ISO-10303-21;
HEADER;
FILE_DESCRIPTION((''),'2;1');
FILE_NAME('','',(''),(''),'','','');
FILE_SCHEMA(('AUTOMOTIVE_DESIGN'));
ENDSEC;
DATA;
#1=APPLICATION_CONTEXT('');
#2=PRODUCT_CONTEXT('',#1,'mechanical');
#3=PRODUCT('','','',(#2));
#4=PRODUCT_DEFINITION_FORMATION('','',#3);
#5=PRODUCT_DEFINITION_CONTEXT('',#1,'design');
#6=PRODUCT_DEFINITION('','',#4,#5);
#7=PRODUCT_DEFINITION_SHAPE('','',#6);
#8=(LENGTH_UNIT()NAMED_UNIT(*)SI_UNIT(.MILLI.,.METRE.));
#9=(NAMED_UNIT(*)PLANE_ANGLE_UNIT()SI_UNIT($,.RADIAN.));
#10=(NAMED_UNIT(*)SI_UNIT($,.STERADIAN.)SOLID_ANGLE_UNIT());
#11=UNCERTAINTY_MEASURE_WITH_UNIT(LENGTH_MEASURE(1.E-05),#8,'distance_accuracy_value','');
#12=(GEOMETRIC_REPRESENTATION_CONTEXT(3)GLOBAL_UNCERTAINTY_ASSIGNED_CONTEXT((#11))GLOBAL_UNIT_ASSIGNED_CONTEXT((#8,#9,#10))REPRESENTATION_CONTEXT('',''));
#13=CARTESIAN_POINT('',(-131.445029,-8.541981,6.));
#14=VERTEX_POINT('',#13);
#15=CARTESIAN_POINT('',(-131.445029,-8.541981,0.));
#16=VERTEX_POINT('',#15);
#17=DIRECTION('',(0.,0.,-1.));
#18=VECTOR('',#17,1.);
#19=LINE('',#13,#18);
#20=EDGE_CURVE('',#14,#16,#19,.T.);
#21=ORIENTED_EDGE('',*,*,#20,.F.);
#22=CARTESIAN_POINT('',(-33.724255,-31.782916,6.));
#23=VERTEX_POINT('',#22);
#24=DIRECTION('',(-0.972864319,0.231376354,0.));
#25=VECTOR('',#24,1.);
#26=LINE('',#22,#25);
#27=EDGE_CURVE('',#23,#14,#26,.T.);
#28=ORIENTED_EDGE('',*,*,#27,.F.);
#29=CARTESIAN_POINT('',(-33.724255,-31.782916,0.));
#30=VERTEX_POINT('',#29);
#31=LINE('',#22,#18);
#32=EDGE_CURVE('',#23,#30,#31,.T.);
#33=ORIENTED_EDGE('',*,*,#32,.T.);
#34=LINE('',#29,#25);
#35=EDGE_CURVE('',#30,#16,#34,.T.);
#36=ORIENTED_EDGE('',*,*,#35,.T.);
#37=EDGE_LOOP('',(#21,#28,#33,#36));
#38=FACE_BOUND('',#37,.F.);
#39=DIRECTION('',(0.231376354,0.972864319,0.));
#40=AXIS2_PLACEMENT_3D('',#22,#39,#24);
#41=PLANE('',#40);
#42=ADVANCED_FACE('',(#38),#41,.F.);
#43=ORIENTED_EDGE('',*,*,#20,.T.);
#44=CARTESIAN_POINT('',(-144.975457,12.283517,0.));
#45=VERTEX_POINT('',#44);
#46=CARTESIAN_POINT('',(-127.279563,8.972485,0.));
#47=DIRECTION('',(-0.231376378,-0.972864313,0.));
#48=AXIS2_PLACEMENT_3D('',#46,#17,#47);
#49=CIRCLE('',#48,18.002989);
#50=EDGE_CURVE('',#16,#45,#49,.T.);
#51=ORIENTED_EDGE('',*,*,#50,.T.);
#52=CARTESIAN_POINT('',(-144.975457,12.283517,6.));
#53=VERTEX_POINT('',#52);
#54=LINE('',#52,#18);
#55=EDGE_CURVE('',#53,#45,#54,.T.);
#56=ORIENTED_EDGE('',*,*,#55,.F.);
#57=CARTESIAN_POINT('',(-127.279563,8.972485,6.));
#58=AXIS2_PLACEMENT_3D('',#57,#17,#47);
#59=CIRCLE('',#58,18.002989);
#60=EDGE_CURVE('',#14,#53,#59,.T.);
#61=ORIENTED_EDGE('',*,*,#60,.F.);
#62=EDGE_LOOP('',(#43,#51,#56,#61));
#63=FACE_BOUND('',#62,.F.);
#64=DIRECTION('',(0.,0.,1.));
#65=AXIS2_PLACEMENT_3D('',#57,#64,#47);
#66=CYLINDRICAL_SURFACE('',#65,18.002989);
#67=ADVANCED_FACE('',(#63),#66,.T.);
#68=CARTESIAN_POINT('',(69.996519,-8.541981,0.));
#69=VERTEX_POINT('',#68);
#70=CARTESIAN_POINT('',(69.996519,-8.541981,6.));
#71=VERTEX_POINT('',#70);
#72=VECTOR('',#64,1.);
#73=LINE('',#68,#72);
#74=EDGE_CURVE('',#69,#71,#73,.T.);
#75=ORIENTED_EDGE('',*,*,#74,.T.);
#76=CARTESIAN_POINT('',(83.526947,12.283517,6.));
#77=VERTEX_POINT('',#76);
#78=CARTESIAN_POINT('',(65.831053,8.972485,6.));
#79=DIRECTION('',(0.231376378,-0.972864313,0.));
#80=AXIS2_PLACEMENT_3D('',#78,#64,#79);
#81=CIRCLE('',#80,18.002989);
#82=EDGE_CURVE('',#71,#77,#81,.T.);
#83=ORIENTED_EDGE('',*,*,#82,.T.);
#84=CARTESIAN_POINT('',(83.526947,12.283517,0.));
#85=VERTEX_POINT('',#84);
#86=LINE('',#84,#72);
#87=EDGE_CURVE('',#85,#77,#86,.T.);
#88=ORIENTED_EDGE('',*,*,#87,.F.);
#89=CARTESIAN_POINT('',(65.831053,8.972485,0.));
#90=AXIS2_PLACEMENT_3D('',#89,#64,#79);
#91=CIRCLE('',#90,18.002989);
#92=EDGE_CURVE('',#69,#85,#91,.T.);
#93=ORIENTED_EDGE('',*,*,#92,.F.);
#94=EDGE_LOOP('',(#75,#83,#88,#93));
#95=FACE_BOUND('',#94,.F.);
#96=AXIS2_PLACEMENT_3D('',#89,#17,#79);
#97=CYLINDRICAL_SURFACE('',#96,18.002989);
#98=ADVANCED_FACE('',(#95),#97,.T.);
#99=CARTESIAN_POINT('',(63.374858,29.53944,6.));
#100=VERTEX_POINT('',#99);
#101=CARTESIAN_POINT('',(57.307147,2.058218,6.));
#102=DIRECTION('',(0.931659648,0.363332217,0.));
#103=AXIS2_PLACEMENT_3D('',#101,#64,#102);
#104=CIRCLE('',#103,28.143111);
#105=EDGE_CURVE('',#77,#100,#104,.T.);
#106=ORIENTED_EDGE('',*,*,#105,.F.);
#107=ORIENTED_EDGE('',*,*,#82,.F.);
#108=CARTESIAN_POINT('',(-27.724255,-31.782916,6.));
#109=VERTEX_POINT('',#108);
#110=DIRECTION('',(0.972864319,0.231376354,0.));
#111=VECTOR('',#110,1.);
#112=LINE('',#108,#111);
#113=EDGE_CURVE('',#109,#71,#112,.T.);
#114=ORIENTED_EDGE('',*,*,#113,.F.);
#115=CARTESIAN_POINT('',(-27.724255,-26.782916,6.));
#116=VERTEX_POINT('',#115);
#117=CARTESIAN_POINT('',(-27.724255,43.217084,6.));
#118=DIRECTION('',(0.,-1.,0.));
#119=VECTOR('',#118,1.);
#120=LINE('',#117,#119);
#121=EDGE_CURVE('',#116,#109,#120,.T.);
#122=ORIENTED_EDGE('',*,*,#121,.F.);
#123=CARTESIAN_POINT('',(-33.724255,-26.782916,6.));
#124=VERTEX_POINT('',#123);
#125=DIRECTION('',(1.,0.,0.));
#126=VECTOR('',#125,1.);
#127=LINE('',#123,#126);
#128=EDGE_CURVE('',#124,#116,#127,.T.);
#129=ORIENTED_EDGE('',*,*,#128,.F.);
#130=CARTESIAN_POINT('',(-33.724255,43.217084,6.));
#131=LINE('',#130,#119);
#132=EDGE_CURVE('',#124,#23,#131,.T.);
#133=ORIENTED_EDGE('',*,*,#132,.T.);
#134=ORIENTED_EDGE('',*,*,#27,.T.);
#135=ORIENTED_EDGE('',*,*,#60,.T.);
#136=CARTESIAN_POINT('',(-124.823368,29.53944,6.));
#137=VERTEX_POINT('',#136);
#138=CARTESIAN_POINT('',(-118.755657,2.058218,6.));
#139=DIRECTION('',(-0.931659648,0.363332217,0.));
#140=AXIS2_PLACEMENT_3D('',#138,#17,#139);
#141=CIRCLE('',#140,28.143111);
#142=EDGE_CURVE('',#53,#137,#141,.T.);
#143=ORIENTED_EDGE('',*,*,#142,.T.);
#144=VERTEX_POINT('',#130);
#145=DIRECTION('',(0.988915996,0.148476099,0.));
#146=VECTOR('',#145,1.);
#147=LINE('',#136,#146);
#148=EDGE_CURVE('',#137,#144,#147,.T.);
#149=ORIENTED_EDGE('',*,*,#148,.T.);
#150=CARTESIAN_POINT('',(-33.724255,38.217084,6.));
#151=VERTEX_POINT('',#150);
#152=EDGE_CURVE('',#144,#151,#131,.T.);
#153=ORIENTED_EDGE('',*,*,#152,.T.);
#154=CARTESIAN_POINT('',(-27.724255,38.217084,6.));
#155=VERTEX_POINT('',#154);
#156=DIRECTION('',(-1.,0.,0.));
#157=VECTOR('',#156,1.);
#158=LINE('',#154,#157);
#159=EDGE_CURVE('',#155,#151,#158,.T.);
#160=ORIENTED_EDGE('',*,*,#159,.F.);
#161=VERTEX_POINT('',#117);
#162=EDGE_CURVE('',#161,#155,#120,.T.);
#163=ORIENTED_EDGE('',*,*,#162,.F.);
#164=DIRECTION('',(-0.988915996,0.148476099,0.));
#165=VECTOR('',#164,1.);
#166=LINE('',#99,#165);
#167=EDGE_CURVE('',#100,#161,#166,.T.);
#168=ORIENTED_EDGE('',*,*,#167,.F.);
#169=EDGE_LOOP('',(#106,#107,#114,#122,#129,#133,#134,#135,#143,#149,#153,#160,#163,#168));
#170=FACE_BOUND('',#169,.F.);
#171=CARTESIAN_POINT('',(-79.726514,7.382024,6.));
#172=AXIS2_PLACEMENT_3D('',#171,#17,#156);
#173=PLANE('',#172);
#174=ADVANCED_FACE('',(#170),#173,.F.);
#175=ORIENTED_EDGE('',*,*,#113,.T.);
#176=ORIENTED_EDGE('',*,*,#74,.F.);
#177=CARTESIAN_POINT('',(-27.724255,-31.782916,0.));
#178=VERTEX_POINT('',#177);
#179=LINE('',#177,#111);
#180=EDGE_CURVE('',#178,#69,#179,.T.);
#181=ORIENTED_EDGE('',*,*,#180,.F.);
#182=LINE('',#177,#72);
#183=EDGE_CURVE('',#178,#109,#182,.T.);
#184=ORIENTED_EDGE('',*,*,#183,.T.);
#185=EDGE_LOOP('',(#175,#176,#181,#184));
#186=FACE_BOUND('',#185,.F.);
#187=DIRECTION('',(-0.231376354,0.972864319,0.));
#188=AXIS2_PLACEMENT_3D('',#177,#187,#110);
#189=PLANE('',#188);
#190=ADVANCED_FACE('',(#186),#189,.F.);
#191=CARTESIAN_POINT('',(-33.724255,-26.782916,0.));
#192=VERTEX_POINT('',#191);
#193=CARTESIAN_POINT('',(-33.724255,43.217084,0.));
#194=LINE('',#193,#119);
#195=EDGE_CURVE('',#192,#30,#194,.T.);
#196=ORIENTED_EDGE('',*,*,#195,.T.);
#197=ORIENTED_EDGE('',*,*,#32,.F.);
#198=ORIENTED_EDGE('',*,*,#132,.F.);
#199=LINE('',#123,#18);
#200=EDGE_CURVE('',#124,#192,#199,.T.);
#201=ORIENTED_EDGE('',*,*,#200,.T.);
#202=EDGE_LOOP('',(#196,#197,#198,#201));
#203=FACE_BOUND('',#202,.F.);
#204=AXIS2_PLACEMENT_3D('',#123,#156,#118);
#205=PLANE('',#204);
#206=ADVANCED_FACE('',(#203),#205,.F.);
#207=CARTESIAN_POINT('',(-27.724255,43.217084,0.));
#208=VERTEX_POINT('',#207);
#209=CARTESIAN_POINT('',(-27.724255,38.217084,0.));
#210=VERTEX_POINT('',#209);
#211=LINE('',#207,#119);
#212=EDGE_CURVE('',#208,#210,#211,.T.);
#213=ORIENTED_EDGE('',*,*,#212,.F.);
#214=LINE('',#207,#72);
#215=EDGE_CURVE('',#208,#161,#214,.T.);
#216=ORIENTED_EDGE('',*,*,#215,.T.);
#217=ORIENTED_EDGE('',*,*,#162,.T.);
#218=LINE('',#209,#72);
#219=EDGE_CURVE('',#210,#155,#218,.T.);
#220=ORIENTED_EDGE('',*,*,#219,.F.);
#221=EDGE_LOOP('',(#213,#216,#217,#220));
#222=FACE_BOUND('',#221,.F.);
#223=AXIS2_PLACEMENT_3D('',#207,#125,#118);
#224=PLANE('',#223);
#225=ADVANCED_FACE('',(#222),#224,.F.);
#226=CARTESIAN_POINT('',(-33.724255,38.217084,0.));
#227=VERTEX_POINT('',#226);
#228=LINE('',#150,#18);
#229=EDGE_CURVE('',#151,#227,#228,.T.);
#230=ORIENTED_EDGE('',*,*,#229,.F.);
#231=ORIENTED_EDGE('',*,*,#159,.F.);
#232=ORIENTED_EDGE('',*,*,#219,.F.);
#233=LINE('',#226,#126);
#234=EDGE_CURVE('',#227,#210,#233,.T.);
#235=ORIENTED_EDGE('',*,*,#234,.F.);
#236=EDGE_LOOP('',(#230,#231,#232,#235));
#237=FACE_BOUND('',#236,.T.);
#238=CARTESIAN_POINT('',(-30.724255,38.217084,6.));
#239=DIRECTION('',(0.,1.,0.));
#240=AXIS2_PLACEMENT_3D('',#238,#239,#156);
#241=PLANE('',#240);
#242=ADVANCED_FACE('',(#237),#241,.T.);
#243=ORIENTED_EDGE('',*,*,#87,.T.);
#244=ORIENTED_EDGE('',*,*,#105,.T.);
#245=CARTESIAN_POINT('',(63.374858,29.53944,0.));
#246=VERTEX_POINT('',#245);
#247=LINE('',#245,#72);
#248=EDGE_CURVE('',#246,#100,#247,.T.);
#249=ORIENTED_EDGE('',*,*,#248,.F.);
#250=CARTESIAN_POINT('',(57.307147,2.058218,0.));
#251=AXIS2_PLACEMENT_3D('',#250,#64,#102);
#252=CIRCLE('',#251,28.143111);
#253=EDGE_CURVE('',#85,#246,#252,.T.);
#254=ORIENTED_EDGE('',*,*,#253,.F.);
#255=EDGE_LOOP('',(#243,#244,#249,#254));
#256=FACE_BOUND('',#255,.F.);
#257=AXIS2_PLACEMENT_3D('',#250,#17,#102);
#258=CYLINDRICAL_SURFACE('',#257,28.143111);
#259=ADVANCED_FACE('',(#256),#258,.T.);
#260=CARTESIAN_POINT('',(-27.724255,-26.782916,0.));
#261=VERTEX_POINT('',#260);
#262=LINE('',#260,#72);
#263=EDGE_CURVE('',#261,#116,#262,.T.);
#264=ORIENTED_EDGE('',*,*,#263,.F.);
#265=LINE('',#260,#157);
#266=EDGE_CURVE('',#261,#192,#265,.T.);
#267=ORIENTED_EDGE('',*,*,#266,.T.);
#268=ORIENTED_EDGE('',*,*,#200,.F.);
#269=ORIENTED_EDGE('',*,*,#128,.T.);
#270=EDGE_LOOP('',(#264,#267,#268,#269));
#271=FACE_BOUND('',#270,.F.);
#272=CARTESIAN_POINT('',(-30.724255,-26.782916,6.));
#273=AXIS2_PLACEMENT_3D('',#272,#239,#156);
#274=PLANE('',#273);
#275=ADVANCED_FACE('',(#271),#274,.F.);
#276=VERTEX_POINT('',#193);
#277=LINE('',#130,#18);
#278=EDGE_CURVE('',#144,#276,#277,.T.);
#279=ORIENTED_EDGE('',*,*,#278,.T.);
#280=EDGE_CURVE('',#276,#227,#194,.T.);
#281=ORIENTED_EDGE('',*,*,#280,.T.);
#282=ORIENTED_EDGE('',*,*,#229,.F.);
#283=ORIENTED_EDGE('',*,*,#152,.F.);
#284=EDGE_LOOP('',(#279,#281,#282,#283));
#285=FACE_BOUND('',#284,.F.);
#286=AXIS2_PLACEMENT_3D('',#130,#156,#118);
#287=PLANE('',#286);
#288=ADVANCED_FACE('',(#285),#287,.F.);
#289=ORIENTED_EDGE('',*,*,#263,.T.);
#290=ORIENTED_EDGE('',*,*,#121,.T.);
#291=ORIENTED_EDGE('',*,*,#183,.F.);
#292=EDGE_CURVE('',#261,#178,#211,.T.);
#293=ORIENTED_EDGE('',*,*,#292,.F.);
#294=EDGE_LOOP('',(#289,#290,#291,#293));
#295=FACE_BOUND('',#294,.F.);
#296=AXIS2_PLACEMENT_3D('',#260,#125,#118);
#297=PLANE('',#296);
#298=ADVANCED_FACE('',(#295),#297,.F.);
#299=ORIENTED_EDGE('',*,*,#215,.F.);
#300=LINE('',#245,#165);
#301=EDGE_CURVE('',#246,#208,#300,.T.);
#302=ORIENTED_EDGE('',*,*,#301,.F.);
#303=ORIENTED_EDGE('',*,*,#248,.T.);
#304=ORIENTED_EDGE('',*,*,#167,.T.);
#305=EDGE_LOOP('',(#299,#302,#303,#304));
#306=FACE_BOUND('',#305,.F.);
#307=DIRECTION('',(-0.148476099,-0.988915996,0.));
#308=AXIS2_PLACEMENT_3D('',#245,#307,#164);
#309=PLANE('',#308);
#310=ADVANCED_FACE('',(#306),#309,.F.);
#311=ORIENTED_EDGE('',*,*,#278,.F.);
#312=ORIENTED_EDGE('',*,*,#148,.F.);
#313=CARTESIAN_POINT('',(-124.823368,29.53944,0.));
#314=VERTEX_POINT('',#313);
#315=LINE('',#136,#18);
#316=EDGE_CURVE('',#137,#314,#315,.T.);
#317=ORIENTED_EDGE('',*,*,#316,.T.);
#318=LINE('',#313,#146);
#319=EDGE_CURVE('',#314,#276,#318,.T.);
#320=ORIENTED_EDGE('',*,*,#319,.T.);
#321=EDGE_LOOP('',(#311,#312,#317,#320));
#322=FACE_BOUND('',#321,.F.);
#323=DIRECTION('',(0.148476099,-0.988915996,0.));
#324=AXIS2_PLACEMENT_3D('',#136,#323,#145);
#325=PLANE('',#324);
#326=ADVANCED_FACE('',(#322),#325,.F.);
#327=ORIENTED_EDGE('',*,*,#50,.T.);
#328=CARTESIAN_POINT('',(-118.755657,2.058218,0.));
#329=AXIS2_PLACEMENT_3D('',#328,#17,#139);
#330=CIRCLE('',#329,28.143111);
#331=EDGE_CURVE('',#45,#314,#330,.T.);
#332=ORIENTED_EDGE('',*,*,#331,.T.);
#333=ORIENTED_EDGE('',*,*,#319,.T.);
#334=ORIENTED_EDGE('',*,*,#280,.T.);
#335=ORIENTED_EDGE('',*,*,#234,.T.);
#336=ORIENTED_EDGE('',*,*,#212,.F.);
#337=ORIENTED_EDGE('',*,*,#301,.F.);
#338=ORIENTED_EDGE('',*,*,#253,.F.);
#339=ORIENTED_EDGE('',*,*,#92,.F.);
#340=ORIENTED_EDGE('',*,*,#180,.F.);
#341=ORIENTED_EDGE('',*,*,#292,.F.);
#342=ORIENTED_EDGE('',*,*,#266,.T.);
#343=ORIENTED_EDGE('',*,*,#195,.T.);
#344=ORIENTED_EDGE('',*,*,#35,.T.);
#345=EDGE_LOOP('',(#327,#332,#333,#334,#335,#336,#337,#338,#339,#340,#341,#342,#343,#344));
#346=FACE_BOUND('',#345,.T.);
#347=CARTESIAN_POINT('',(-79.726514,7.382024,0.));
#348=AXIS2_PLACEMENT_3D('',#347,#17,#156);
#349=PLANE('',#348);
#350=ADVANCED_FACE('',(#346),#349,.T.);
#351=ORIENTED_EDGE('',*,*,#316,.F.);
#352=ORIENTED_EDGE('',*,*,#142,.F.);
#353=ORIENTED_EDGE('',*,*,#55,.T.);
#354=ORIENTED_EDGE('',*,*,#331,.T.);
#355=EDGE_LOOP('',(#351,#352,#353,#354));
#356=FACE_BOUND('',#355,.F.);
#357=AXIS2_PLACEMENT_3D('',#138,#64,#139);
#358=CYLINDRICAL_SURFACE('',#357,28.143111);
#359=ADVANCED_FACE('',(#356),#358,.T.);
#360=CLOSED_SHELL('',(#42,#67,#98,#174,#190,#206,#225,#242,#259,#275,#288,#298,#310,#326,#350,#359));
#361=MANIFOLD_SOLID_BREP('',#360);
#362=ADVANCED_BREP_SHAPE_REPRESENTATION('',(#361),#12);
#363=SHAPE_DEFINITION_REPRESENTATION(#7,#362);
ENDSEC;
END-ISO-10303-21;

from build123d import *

# Parameters (mm, degrees)
F0_W     = 3
F0_H     = 65
F1_DEPTH = 6
F3_COUNT = 2
F3_ANGLE = 180


with BuildPart() as f1:
    # F0 (on Top) → F1 (new body)
    with BuildSketch(Plane.XY):
        with BuildLine():
            Line((-27.724255, -31.782916), (69.996519, -8.541981))
            ThreePointArc((69.996519, -8.541981), (80.927579, -0.835803), (83.526947, 12.283517))
            ThreePointArc((83.526947, 12.283517), (75.611861, 23.435124), (63.374858, 29.53944))
            Line((63.374858, 29.53944), (-27.724255, 43.217084))
            Line((-27.724255, 43.217084), (-27.724255, 38.217084))
            Line((-27.724255, 38.217084), (-27.724255, -26.782916))
            Line((-27.724255, -26.782916), (-27.724255, -31.782916))
        make_face()
        with Locations((-29.224255, 5.717084)):
            Rectangle(F0_W, F0_H)
    extrude(amount=F1_DEPTH)

    # F3: F1 ×2 about axis
    f3_axis = Axis((-30.724255, 5.717084, 3), (0, -1, 0))


with BuildPart() as f1_1:
    add(f1.part)
    for i in range(1, F3_COUNT):
        add(f1.part.rotate(f3_axis, i * F3_ANGLE / (F3_COUNT - 1)))


solid = f1_1.part
